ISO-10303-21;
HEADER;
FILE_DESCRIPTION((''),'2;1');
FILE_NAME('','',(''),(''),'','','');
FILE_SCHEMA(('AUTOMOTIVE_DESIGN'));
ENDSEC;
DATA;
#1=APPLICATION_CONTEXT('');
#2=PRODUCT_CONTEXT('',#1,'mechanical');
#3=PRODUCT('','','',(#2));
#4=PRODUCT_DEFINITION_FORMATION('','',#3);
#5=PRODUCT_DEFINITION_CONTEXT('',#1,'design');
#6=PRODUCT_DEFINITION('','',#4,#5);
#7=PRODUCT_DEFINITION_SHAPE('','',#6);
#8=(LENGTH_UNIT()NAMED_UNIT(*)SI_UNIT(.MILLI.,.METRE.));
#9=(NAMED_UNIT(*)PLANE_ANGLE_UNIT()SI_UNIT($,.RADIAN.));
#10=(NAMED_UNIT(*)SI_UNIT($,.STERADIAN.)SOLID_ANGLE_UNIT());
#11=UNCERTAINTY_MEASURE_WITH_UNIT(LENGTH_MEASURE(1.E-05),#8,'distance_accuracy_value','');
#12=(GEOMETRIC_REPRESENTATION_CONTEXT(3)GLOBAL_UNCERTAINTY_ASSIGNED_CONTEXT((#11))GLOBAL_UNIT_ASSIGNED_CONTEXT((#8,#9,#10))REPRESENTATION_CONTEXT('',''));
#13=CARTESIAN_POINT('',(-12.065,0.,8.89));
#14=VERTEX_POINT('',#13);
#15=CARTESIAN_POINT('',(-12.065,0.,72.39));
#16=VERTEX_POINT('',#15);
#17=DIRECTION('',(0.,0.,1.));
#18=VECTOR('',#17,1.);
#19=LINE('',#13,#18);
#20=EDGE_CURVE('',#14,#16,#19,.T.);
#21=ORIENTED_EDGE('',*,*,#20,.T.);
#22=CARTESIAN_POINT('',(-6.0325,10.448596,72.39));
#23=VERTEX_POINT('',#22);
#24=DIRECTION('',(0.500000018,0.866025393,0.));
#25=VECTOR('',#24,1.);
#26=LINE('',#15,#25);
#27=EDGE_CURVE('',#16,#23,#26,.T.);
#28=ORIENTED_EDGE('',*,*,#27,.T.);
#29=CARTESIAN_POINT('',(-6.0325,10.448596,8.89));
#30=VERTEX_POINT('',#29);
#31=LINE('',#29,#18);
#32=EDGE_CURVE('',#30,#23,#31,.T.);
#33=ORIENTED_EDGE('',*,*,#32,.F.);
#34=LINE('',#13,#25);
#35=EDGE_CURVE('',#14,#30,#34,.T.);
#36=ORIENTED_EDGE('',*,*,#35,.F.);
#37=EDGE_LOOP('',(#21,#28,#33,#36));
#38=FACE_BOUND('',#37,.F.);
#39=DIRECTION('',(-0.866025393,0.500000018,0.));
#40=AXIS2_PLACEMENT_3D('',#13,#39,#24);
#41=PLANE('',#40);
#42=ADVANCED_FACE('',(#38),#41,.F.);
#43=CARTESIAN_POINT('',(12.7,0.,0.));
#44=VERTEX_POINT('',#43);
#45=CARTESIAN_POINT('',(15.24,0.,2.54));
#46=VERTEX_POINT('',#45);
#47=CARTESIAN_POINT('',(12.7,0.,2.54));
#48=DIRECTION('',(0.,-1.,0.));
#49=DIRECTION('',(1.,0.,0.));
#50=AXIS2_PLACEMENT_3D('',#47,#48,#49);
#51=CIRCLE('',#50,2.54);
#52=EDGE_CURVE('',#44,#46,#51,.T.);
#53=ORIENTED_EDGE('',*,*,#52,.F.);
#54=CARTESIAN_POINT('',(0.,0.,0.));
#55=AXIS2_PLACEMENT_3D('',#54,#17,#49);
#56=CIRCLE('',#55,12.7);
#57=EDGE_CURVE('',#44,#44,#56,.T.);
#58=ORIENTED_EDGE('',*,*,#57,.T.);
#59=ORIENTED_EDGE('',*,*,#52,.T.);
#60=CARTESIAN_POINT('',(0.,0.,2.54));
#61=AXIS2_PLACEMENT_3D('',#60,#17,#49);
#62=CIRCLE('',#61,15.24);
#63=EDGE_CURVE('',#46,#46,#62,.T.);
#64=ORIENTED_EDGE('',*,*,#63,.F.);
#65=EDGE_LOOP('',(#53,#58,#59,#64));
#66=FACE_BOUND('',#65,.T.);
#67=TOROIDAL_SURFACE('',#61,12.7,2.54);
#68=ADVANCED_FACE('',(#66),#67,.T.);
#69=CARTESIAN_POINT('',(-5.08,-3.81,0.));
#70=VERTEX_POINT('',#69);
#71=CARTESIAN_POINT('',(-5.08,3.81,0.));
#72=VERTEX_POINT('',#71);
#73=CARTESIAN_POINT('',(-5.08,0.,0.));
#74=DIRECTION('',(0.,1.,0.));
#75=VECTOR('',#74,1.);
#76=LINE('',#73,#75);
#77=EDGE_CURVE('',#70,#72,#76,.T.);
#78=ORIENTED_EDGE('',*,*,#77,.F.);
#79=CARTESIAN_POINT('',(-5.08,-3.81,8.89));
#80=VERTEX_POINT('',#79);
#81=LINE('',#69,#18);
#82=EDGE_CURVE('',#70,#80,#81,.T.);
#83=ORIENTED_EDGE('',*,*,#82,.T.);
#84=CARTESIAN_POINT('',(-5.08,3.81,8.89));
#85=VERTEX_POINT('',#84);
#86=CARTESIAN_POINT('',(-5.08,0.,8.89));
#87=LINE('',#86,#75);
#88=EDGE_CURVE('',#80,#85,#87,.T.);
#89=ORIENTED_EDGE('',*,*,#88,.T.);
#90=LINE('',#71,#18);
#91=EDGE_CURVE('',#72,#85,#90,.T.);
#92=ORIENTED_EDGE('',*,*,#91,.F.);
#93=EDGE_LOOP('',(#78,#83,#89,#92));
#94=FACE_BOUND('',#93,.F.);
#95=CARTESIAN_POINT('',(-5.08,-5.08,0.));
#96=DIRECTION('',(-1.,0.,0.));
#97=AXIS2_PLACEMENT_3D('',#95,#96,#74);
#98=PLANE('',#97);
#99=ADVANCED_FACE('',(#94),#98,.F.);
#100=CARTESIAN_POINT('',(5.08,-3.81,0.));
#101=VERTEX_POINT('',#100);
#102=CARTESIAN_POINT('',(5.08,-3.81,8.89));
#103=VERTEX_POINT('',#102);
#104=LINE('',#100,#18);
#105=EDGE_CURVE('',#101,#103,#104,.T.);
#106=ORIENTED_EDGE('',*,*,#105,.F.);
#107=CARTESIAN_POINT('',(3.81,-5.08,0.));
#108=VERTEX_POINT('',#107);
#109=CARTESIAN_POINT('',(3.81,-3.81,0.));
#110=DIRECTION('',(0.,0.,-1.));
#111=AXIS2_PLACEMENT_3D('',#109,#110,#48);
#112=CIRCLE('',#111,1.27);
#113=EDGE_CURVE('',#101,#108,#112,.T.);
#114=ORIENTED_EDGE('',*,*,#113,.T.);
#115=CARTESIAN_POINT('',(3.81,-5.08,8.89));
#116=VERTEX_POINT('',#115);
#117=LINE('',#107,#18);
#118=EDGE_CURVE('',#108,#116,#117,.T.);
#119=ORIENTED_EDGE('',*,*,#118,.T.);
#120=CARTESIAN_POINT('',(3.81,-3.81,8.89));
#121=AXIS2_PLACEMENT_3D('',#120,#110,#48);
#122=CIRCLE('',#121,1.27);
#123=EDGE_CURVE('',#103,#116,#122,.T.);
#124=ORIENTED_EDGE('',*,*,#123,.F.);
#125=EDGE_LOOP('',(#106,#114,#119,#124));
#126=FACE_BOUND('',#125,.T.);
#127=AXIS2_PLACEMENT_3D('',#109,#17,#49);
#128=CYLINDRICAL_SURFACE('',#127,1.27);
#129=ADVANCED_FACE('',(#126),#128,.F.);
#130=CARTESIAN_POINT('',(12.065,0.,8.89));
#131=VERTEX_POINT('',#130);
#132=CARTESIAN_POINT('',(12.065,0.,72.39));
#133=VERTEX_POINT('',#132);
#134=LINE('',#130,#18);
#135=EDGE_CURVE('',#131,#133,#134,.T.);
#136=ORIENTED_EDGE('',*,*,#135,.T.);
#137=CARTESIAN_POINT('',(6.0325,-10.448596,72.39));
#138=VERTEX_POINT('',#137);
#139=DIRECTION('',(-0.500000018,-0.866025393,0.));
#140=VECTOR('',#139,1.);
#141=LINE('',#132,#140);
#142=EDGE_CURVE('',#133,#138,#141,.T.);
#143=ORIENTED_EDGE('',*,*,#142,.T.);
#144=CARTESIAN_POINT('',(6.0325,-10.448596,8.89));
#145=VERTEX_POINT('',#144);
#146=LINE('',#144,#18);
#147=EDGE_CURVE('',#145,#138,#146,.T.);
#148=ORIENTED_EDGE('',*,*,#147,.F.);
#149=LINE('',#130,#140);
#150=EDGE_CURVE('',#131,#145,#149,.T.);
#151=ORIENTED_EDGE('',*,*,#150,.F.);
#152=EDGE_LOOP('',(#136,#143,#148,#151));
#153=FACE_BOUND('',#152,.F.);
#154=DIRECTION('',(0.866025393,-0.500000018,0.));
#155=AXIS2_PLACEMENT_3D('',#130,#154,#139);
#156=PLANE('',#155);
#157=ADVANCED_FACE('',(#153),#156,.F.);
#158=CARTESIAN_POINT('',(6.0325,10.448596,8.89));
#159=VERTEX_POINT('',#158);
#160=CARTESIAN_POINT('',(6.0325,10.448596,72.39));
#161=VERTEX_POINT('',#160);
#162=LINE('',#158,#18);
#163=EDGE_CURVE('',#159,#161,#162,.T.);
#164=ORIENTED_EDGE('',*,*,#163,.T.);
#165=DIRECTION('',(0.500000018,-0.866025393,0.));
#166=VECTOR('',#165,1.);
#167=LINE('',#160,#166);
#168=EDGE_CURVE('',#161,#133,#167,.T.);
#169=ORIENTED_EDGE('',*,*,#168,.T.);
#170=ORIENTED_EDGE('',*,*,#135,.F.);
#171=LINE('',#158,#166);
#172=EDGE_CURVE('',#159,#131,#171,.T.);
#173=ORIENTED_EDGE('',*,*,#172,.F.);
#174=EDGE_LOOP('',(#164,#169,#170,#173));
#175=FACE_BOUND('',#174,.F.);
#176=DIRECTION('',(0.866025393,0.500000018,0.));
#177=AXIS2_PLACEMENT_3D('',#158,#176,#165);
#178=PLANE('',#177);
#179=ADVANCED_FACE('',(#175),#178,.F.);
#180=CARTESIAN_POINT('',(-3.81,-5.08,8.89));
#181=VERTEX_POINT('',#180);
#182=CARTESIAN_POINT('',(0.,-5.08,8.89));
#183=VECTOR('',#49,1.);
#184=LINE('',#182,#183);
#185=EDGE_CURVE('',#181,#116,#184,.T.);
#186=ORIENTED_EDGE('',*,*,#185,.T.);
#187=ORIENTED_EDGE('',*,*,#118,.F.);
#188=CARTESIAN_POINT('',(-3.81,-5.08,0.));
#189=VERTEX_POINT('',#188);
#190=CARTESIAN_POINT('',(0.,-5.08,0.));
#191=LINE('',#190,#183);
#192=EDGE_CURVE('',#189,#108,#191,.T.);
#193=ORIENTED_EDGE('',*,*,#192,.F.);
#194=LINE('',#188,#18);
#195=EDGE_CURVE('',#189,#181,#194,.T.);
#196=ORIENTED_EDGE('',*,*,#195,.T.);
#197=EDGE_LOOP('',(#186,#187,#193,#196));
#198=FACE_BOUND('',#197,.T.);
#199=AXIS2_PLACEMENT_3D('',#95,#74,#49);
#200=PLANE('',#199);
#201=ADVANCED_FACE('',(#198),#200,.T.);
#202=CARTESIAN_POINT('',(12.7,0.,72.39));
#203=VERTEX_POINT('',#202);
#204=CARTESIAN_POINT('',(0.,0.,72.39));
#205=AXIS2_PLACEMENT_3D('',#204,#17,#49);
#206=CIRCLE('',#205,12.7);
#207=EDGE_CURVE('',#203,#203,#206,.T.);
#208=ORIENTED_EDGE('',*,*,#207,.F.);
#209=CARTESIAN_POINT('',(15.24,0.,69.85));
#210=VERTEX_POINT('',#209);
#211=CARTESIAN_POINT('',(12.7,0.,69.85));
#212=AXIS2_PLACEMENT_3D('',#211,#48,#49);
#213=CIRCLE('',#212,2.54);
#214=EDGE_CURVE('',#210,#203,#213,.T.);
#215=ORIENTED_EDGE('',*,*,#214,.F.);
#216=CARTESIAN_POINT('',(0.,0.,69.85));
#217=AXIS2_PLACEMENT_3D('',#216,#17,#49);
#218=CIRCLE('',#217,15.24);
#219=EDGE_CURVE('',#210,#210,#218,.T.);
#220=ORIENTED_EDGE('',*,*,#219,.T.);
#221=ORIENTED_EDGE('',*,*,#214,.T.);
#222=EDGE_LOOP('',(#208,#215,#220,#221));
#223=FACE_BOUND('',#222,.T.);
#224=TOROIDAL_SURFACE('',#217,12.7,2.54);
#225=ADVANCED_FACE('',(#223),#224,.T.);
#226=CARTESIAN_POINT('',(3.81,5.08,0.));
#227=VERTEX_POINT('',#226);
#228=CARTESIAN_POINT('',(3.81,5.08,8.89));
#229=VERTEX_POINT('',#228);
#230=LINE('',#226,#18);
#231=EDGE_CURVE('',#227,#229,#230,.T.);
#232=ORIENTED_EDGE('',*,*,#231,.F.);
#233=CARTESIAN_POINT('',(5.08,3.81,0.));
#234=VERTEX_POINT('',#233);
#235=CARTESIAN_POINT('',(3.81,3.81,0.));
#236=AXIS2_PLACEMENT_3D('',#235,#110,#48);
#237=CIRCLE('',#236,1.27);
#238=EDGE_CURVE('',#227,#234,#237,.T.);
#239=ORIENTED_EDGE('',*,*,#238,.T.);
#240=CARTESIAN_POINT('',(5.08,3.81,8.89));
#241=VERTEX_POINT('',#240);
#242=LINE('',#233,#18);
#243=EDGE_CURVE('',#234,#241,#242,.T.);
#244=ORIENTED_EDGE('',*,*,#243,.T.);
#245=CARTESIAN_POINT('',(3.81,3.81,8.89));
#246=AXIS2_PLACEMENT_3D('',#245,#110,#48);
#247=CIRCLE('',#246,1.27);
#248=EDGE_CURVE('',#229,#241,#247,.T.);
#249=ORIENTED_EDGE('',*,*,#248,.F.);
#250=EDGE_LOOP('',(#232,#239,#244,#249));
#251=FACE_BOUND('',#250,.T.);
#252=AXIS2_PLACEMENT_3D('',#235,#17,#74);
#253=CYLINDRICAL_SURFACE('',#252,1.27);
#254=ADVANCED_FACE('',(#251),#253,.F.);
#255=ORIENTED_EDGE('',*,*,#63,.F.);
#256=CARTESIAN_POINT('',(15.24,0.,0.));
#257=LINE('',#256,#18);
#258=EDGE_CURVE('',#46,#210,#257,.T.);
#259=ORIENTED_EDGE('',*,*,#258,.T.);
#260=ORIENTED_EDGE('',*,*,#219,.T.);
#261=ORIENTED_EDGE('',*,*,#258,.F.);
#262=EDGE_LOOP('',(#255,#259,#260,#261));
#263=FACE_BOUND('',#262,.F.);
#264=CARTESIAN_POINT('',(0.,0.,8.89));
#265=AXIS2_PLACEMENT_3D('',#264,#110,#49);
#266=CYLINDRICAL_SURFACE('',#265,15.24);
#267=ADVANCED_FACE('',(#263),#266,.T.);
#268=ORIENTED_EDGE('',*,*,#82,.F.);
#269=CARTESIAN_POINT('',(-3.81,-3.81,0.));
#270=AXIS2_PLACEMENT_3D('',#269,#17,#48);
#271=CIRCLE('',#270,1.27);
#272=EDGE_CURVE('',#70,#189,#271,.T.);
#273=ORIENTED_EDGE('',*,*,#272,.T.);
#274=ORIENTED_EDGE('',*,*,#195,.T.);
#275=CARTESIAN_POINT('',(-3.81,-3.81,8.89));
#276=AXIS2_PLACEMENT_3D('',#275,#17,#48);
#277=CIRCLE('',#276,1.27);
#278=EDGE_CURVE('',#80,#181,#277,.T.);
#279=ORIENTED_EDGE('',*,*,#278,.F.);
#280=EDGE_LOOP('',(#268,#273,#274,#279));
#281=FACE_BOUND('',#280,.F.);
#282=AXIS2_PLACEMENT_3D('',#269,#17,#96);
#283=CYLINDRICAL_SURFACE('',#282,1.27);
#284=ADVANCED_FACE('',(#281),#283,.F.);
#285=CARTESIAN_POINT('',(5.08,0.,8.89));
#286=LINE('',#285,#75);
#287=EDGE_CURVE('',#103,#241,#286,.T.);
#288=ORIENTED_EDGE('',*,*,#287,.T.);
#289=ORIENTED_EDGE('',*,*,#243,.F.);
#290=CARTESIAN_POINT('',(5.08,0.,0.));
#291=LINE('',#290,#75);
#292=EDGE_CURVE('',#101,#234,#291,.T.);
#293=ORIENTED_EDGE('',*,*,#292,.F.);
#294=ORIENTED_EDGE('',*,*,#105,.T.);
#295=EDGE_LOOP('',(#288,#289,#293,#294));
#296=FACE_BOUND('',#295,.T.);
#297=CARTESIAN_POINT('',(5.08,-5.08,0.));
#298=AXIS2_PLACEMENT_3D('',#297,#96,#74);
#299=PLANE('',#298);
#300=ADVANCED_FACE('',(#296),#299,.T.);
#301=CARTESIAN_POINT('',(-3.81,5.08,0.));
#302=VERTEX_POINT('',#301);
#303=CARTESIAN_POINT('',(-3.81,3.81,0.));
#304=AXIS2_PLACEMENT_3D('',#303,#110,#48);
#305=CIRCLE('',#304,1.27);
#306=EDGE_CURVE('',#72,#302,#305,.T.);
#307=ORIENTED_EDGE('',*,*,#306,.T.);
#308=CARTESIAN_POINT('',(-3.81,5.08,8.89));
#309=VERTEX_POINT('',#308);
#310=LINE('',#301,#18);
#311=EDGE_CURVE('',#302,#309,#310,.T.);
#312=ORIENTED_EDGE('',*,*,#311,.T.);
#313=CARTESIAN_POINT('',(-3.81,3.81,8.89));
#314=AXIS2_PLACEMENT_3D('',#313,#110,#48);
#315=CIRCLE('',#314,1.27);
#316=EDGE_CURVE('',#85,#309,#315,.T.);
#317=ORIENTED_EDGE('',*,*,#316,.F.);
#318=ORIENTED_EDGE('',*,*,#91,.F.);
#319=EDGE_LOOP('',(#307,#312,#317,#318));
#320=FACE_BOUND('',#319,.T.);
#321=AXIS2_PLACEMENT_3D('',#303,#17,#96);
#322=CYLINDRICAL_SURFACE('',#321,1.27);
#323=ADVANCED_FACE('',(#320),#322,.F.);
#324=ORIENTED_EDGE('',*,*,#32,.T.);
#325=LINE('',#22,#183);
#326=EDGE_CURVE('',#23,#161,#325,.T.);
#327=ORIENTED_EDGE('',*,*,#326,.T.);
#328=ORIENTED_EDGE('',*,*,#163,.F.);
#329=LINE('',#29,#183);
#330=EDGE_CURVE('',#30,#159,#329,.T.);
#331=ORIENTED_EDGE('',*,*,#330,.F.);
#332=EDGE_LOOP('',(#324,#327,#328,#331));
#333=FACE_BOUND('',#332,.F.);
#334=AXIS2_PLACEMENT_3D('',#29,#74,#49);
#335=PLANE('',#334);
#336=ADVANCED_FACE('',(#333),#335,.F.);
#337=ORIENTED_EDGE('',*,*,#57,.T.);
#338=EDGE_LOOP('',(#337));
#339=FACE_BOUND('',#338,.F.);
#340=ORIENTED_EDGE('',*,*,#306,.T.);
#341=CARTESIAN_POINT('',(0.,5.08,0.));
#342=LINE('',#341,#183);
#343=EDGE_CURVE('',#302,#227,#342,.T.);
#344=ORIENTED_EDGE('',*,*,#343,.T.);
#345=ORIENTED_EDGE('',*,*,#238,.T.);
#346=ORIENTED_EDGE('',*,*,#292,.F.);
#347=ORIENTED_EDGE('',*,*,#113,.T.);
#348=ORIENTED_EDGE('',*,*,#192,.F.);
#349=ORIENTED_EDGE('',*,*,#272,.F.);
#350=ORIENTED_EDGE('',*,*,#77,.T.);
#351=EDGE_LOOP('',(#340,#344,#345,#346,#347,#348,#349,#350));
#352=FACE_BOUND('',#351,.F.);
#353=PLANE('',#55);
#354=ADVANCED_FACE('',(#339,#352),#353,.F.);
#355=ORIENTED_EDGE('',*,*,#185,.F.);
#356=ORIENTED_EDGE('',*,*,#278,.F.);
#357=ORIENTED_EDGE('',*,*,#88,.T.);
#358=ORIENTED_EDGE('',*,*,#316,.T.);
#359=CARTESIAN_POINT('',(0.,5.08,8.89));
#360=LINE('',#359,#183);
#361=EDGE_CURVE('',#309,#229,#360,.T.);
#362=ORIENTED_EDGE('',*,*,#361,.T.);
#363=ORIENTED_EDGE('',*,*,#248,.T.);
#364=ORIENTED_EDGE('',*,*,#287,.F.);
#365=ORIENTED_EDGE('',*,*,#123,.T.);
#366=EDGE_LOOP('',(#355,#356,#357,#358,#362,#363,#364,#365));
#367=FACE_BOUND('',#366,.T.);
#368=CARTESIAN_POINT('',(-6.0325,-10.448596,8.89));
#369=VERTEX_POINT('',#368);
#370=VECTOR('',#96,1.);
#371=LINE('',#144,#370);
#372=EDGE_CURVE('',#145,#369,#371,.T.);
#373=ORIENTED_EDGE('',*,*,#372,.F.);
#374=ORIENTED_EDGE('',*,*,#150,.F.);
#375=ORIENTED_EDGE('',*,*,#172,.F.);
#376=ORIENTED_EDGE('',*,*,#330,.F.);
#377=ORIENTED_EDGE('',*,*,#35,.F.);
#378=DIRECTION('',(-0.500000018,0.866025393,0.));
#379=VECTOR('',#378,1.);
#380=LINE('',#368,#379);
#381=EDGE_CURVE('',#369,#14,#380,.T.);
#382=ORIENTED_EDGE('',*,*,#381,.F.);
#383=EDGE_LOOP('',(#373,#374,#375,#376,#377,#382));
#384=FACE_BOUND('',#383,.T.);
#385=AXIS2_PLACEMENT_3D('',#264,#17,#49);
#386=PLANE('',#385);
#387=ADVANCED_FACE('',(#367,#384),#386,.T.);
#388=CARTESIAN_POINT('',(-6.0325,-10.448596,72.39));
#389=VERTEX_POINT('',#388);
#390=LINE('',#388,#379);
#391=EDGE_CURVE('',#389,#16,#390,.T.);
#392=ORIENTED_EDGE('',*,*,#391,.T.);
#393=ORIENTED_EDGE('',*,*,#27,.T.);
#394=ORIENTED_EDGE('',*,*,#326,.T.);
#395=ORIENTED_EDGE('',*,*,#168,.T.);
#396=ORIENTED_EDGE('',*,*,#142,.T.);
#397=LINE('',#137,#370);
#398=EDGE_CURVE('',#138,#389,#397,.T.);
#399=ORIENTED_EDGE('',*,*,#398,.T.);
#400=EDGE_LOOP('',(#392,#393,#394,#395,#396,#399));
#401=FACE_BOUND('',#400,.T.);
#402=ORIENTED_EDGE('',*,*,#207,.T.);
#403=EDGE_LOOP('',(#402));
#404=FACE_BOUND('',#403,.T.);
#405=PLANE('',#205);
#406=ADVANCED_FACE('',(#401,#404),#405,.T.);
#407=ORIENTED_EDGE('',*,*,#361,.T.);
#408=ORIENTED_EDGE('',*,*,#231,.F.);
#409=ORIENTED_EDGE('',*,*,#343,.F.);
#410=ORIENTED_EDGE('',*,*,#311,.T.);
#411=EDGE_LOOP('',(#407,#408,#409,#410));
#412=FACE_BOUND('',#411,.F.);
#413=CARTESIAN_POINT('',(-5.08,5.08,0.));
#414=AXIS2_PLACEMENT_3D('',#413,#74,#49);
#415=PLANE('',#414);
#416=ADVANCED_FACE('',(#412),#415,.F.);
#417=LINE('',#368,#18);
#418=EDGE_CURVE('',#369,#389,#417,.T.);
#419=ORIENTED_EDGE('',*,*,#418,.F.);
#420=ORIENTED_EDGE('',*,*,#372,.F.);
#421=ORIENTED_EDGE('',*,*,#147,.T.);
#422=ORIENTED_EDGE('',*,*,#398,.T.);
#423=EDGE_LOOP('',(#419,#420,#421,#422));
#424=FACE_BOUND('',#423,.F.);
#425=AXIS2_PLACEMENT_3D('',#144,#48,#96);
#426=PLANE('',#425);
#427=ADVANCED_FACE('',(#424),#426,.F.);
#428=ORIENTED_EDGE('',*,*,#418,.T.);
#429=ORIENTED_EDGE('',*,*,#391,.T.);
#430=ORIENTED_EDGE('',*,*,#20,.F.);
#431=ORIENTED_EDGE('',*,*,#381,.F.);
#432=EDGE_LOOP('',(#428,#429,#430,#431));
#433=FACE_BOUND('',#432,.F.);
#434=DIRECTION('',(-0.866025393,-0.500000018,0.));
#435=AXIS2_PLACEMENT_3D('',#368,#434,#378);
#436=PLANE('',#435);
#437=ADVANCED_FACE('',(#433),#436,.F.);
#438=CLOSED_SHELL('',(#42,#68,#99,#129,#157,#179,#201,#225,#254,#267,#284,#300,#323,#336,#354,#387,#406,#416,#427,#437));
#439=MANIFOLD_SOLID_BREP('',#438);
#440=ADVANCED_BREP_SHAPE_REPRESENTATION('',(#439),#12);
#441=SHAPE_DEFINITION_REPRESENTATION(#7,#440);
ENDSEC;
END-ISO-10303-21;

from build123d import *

# Parameters (mm, degrees)
F0_R     = 15.24
F0_W     = 10.16
F0_H     = 10.16
F1_DEPTH = 8.89
F2_R     = 15.24
F3_DEPTH = 63.5
F4_R     = 1.27
F5_R     = 2.54


with BuildPart() as f1:
    # F0 (on Top) → F1 (new body)
    with BuildSketch(Plane.XY):
        Circle(F0_R)
        Rectangle(F0_W, F0_H, mode=Mode.SUBTRACT)
    extrude(amount=F1_DEPTH)

    # F2 (on face) → F3 (join)
    with BuildSketch(Plane.XY.offset(8.89)):
        Circle(F2_R)
        Polygon((-12.065, 0), (-6.0325, 10.448596), (6.0325, 10.448596), (12.065, 0), (6.0325, -10.448596), (-6.0325, -10.448596), align=None, mode=Mode.SUBTRACT)
    extrude(amount=F3_DEPTH)

    # F4
    f4_edges = [f1.edges().sort_by_distance(p)[0] for p in [
        (-5.08, -5.08, 4.445),
        (-5.08, 5.08, 4.445),
        (5.08, -5.08, 4.445),
        (5.08, 5.08, 4.445),
    ]]
    fillet(f4_edges, radius=F4_R)

    # F5
    f5_edges = [f1.edges().sort_by_distance(p)[0] for p in [
        (-15.24, 0, 0),
        (-15.24, 0, 72.39),
    ]]
    fillet(f5_edges, radius=F5_R)


solid = f1.part
